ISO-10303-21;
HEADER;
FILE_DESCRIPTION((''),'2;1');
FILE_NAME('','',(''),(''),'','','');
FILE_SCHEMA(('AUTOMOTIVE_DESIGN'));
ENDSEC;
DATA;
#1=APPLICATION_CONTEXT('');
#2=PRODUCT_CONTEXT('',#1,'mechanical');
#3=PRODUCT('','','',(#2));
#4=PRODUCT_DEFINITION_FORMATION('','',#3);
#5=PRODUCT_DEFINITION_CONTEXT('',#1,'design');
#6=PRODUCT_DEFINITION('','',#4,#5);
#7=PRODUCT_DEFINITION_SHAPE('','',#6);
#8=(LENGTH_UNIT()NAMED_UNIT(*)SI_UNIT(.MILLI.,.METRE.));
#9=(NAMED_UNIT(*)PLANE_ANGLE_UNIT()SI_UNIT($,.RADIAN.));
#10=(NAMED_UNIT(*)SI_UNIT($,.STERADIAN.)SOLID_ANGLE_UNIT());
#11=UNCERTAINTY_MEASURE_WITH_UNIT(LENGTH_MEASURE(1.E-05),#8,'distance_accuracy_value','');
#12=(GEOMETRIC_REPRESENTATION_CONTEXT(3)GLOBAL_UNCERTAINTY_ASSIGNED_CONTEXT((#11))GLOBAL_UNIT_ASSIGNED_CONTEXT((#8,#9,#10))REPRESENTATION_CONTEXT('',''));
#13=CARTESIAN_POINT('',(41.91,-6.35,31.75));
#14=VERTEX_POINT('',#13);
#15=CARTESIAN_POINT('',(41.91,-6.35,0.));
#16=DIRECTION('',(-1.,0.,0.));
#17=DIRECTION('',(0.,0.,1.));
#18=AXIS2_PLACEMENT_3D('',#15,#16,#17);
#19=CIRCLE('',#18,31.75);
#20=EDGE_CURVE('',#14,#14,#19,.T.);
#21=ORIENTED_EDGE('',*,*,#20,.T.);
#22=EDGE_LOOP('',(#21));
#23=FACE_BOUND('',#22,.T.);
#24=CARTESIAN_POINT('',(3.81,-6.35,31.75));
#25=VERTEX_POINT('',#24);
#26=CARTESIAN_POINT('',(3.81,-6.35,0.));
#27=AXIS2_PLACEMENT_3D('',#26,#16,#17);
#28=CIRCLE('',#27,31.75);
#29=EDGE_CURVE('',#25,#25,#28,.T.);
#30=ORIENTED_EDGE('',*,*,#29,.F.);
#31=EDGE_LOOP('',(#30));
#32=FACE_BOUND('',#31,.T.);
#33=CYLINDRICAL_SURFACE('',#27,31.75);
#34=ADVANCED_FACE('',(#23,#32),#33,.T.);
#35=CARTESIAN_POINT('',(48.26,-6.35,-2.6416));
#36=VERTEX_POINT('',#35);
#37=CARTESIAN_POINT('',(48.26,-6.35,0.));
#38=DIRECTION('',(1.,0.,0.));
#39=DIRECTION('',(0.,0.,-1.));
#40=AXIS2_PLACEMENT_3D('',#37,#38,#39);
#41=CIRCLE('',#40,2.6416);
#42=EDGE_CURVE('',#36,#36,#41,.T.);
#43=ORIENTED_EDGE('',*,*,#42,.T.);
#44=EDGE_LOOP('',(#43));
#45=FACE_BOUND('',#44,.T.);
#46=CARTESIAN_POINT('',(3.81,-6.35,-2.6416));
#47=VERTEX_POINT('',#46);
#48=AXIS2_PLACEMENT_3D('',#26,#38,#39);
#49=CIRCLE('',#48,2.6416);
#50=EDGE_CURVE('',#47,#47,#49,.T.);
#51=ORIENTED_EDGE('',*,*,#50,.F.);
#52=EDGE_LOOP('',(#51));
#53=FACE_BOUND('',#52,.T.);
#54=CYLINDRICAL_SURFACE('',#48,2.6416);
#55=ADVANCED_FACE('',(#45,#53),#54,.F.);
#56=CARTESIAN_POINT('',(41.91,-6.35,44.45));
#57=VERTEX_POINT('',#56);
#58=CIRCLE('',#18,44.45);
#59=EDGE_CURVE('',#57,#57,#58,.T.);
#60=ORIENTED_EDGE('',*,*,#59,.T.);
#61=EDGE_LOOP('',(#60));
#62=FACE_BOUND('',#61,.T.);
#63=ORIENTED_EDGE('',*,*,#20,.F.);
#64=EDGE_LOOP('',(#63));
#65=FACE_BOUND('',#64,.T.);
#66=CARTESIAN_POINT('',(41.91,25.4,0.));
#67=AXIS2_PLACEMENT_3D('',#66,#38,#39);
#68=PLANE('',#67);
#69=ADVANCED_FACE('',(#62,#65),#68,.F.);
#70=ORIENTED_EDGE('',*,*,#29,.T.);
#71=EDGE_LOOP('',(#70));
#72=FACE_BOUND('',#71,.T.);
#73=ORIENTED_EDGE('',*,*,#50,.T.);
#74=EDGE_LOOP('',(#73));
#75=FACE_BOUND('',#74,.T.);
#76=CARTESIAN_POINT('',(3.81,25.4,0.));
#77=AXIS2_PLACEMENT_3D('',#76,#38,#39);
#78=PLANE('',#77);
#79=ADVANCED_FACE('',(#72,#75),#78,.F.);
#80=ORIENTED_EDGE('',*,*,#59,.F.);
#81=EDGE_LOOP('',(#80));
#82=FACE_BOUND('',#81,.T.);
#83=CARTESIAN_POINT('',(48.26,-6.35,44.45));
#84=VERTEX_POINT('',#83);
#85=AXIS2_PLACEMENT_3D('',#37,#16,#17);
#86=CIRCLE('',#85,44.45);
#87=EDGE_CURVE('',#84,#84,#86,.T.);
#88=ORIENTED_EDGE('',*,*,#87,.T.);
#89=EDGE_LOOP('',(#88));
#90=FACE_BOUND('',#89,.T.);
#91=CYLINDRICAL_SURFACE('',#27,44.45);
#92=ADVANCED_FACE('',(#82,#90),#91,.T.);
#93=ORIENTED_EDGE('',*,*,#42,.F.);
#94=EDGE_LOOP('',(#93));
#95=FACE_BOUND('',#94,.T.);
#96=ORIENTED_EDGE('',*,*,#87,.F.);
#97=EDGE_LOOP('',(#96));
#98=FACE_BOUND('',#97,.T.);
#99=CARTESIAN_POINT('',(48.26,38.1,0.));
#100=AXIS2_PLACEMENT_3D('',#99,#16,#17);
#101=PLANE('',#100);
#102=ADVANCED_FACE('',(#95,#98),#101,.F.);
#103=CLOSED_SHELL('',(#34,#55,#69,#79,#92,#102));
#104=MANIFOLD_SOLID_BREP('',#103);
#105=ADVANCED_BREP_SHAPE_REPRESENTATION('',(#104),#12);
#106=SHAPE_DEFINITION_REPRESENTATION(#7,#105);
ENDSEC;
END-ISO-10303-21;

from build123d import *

# Parameters (mm, degrees)
SKETCH3_R          = 2.6416
CUT_EXTRUDE1_DEPTH = 81.82230509


with BuildPart() as part:
    # Sketch2 → Revolve1 (revolve)
    with BuildSketch(Plane.XY, mode=Mode.PRIVATE) as revolve1_sk:
        Polygon((3.81, 25.4), (41.91, 25.4), (41.91, 38.1), (48.26, 38.1), (48.26, -6.35), (3.81, -6.35), align=None)
    revolve(revolve1_sk.sketch.rotate(Axis((3.81, -6.35, 0), (1, 0, 0)), 90), axis=Axis((3.81, -6.35, 0), (1, 0, 0)))

    # Sketch3 → Cut-Extrude1 (cut, through all)
    with BuildSketch(Plane(origin=(48.26, 0, 0), x_dir=(0, 0, -1), z_dir=(1, 0, 0))):
        with Locations((0, -6.35)):
            Circle(SKETCH3_R)
    extrude(amount=-CUT_EXTRUDE1_DEPTH, mode=Mode.SUBTRACT)


solid = part.part
